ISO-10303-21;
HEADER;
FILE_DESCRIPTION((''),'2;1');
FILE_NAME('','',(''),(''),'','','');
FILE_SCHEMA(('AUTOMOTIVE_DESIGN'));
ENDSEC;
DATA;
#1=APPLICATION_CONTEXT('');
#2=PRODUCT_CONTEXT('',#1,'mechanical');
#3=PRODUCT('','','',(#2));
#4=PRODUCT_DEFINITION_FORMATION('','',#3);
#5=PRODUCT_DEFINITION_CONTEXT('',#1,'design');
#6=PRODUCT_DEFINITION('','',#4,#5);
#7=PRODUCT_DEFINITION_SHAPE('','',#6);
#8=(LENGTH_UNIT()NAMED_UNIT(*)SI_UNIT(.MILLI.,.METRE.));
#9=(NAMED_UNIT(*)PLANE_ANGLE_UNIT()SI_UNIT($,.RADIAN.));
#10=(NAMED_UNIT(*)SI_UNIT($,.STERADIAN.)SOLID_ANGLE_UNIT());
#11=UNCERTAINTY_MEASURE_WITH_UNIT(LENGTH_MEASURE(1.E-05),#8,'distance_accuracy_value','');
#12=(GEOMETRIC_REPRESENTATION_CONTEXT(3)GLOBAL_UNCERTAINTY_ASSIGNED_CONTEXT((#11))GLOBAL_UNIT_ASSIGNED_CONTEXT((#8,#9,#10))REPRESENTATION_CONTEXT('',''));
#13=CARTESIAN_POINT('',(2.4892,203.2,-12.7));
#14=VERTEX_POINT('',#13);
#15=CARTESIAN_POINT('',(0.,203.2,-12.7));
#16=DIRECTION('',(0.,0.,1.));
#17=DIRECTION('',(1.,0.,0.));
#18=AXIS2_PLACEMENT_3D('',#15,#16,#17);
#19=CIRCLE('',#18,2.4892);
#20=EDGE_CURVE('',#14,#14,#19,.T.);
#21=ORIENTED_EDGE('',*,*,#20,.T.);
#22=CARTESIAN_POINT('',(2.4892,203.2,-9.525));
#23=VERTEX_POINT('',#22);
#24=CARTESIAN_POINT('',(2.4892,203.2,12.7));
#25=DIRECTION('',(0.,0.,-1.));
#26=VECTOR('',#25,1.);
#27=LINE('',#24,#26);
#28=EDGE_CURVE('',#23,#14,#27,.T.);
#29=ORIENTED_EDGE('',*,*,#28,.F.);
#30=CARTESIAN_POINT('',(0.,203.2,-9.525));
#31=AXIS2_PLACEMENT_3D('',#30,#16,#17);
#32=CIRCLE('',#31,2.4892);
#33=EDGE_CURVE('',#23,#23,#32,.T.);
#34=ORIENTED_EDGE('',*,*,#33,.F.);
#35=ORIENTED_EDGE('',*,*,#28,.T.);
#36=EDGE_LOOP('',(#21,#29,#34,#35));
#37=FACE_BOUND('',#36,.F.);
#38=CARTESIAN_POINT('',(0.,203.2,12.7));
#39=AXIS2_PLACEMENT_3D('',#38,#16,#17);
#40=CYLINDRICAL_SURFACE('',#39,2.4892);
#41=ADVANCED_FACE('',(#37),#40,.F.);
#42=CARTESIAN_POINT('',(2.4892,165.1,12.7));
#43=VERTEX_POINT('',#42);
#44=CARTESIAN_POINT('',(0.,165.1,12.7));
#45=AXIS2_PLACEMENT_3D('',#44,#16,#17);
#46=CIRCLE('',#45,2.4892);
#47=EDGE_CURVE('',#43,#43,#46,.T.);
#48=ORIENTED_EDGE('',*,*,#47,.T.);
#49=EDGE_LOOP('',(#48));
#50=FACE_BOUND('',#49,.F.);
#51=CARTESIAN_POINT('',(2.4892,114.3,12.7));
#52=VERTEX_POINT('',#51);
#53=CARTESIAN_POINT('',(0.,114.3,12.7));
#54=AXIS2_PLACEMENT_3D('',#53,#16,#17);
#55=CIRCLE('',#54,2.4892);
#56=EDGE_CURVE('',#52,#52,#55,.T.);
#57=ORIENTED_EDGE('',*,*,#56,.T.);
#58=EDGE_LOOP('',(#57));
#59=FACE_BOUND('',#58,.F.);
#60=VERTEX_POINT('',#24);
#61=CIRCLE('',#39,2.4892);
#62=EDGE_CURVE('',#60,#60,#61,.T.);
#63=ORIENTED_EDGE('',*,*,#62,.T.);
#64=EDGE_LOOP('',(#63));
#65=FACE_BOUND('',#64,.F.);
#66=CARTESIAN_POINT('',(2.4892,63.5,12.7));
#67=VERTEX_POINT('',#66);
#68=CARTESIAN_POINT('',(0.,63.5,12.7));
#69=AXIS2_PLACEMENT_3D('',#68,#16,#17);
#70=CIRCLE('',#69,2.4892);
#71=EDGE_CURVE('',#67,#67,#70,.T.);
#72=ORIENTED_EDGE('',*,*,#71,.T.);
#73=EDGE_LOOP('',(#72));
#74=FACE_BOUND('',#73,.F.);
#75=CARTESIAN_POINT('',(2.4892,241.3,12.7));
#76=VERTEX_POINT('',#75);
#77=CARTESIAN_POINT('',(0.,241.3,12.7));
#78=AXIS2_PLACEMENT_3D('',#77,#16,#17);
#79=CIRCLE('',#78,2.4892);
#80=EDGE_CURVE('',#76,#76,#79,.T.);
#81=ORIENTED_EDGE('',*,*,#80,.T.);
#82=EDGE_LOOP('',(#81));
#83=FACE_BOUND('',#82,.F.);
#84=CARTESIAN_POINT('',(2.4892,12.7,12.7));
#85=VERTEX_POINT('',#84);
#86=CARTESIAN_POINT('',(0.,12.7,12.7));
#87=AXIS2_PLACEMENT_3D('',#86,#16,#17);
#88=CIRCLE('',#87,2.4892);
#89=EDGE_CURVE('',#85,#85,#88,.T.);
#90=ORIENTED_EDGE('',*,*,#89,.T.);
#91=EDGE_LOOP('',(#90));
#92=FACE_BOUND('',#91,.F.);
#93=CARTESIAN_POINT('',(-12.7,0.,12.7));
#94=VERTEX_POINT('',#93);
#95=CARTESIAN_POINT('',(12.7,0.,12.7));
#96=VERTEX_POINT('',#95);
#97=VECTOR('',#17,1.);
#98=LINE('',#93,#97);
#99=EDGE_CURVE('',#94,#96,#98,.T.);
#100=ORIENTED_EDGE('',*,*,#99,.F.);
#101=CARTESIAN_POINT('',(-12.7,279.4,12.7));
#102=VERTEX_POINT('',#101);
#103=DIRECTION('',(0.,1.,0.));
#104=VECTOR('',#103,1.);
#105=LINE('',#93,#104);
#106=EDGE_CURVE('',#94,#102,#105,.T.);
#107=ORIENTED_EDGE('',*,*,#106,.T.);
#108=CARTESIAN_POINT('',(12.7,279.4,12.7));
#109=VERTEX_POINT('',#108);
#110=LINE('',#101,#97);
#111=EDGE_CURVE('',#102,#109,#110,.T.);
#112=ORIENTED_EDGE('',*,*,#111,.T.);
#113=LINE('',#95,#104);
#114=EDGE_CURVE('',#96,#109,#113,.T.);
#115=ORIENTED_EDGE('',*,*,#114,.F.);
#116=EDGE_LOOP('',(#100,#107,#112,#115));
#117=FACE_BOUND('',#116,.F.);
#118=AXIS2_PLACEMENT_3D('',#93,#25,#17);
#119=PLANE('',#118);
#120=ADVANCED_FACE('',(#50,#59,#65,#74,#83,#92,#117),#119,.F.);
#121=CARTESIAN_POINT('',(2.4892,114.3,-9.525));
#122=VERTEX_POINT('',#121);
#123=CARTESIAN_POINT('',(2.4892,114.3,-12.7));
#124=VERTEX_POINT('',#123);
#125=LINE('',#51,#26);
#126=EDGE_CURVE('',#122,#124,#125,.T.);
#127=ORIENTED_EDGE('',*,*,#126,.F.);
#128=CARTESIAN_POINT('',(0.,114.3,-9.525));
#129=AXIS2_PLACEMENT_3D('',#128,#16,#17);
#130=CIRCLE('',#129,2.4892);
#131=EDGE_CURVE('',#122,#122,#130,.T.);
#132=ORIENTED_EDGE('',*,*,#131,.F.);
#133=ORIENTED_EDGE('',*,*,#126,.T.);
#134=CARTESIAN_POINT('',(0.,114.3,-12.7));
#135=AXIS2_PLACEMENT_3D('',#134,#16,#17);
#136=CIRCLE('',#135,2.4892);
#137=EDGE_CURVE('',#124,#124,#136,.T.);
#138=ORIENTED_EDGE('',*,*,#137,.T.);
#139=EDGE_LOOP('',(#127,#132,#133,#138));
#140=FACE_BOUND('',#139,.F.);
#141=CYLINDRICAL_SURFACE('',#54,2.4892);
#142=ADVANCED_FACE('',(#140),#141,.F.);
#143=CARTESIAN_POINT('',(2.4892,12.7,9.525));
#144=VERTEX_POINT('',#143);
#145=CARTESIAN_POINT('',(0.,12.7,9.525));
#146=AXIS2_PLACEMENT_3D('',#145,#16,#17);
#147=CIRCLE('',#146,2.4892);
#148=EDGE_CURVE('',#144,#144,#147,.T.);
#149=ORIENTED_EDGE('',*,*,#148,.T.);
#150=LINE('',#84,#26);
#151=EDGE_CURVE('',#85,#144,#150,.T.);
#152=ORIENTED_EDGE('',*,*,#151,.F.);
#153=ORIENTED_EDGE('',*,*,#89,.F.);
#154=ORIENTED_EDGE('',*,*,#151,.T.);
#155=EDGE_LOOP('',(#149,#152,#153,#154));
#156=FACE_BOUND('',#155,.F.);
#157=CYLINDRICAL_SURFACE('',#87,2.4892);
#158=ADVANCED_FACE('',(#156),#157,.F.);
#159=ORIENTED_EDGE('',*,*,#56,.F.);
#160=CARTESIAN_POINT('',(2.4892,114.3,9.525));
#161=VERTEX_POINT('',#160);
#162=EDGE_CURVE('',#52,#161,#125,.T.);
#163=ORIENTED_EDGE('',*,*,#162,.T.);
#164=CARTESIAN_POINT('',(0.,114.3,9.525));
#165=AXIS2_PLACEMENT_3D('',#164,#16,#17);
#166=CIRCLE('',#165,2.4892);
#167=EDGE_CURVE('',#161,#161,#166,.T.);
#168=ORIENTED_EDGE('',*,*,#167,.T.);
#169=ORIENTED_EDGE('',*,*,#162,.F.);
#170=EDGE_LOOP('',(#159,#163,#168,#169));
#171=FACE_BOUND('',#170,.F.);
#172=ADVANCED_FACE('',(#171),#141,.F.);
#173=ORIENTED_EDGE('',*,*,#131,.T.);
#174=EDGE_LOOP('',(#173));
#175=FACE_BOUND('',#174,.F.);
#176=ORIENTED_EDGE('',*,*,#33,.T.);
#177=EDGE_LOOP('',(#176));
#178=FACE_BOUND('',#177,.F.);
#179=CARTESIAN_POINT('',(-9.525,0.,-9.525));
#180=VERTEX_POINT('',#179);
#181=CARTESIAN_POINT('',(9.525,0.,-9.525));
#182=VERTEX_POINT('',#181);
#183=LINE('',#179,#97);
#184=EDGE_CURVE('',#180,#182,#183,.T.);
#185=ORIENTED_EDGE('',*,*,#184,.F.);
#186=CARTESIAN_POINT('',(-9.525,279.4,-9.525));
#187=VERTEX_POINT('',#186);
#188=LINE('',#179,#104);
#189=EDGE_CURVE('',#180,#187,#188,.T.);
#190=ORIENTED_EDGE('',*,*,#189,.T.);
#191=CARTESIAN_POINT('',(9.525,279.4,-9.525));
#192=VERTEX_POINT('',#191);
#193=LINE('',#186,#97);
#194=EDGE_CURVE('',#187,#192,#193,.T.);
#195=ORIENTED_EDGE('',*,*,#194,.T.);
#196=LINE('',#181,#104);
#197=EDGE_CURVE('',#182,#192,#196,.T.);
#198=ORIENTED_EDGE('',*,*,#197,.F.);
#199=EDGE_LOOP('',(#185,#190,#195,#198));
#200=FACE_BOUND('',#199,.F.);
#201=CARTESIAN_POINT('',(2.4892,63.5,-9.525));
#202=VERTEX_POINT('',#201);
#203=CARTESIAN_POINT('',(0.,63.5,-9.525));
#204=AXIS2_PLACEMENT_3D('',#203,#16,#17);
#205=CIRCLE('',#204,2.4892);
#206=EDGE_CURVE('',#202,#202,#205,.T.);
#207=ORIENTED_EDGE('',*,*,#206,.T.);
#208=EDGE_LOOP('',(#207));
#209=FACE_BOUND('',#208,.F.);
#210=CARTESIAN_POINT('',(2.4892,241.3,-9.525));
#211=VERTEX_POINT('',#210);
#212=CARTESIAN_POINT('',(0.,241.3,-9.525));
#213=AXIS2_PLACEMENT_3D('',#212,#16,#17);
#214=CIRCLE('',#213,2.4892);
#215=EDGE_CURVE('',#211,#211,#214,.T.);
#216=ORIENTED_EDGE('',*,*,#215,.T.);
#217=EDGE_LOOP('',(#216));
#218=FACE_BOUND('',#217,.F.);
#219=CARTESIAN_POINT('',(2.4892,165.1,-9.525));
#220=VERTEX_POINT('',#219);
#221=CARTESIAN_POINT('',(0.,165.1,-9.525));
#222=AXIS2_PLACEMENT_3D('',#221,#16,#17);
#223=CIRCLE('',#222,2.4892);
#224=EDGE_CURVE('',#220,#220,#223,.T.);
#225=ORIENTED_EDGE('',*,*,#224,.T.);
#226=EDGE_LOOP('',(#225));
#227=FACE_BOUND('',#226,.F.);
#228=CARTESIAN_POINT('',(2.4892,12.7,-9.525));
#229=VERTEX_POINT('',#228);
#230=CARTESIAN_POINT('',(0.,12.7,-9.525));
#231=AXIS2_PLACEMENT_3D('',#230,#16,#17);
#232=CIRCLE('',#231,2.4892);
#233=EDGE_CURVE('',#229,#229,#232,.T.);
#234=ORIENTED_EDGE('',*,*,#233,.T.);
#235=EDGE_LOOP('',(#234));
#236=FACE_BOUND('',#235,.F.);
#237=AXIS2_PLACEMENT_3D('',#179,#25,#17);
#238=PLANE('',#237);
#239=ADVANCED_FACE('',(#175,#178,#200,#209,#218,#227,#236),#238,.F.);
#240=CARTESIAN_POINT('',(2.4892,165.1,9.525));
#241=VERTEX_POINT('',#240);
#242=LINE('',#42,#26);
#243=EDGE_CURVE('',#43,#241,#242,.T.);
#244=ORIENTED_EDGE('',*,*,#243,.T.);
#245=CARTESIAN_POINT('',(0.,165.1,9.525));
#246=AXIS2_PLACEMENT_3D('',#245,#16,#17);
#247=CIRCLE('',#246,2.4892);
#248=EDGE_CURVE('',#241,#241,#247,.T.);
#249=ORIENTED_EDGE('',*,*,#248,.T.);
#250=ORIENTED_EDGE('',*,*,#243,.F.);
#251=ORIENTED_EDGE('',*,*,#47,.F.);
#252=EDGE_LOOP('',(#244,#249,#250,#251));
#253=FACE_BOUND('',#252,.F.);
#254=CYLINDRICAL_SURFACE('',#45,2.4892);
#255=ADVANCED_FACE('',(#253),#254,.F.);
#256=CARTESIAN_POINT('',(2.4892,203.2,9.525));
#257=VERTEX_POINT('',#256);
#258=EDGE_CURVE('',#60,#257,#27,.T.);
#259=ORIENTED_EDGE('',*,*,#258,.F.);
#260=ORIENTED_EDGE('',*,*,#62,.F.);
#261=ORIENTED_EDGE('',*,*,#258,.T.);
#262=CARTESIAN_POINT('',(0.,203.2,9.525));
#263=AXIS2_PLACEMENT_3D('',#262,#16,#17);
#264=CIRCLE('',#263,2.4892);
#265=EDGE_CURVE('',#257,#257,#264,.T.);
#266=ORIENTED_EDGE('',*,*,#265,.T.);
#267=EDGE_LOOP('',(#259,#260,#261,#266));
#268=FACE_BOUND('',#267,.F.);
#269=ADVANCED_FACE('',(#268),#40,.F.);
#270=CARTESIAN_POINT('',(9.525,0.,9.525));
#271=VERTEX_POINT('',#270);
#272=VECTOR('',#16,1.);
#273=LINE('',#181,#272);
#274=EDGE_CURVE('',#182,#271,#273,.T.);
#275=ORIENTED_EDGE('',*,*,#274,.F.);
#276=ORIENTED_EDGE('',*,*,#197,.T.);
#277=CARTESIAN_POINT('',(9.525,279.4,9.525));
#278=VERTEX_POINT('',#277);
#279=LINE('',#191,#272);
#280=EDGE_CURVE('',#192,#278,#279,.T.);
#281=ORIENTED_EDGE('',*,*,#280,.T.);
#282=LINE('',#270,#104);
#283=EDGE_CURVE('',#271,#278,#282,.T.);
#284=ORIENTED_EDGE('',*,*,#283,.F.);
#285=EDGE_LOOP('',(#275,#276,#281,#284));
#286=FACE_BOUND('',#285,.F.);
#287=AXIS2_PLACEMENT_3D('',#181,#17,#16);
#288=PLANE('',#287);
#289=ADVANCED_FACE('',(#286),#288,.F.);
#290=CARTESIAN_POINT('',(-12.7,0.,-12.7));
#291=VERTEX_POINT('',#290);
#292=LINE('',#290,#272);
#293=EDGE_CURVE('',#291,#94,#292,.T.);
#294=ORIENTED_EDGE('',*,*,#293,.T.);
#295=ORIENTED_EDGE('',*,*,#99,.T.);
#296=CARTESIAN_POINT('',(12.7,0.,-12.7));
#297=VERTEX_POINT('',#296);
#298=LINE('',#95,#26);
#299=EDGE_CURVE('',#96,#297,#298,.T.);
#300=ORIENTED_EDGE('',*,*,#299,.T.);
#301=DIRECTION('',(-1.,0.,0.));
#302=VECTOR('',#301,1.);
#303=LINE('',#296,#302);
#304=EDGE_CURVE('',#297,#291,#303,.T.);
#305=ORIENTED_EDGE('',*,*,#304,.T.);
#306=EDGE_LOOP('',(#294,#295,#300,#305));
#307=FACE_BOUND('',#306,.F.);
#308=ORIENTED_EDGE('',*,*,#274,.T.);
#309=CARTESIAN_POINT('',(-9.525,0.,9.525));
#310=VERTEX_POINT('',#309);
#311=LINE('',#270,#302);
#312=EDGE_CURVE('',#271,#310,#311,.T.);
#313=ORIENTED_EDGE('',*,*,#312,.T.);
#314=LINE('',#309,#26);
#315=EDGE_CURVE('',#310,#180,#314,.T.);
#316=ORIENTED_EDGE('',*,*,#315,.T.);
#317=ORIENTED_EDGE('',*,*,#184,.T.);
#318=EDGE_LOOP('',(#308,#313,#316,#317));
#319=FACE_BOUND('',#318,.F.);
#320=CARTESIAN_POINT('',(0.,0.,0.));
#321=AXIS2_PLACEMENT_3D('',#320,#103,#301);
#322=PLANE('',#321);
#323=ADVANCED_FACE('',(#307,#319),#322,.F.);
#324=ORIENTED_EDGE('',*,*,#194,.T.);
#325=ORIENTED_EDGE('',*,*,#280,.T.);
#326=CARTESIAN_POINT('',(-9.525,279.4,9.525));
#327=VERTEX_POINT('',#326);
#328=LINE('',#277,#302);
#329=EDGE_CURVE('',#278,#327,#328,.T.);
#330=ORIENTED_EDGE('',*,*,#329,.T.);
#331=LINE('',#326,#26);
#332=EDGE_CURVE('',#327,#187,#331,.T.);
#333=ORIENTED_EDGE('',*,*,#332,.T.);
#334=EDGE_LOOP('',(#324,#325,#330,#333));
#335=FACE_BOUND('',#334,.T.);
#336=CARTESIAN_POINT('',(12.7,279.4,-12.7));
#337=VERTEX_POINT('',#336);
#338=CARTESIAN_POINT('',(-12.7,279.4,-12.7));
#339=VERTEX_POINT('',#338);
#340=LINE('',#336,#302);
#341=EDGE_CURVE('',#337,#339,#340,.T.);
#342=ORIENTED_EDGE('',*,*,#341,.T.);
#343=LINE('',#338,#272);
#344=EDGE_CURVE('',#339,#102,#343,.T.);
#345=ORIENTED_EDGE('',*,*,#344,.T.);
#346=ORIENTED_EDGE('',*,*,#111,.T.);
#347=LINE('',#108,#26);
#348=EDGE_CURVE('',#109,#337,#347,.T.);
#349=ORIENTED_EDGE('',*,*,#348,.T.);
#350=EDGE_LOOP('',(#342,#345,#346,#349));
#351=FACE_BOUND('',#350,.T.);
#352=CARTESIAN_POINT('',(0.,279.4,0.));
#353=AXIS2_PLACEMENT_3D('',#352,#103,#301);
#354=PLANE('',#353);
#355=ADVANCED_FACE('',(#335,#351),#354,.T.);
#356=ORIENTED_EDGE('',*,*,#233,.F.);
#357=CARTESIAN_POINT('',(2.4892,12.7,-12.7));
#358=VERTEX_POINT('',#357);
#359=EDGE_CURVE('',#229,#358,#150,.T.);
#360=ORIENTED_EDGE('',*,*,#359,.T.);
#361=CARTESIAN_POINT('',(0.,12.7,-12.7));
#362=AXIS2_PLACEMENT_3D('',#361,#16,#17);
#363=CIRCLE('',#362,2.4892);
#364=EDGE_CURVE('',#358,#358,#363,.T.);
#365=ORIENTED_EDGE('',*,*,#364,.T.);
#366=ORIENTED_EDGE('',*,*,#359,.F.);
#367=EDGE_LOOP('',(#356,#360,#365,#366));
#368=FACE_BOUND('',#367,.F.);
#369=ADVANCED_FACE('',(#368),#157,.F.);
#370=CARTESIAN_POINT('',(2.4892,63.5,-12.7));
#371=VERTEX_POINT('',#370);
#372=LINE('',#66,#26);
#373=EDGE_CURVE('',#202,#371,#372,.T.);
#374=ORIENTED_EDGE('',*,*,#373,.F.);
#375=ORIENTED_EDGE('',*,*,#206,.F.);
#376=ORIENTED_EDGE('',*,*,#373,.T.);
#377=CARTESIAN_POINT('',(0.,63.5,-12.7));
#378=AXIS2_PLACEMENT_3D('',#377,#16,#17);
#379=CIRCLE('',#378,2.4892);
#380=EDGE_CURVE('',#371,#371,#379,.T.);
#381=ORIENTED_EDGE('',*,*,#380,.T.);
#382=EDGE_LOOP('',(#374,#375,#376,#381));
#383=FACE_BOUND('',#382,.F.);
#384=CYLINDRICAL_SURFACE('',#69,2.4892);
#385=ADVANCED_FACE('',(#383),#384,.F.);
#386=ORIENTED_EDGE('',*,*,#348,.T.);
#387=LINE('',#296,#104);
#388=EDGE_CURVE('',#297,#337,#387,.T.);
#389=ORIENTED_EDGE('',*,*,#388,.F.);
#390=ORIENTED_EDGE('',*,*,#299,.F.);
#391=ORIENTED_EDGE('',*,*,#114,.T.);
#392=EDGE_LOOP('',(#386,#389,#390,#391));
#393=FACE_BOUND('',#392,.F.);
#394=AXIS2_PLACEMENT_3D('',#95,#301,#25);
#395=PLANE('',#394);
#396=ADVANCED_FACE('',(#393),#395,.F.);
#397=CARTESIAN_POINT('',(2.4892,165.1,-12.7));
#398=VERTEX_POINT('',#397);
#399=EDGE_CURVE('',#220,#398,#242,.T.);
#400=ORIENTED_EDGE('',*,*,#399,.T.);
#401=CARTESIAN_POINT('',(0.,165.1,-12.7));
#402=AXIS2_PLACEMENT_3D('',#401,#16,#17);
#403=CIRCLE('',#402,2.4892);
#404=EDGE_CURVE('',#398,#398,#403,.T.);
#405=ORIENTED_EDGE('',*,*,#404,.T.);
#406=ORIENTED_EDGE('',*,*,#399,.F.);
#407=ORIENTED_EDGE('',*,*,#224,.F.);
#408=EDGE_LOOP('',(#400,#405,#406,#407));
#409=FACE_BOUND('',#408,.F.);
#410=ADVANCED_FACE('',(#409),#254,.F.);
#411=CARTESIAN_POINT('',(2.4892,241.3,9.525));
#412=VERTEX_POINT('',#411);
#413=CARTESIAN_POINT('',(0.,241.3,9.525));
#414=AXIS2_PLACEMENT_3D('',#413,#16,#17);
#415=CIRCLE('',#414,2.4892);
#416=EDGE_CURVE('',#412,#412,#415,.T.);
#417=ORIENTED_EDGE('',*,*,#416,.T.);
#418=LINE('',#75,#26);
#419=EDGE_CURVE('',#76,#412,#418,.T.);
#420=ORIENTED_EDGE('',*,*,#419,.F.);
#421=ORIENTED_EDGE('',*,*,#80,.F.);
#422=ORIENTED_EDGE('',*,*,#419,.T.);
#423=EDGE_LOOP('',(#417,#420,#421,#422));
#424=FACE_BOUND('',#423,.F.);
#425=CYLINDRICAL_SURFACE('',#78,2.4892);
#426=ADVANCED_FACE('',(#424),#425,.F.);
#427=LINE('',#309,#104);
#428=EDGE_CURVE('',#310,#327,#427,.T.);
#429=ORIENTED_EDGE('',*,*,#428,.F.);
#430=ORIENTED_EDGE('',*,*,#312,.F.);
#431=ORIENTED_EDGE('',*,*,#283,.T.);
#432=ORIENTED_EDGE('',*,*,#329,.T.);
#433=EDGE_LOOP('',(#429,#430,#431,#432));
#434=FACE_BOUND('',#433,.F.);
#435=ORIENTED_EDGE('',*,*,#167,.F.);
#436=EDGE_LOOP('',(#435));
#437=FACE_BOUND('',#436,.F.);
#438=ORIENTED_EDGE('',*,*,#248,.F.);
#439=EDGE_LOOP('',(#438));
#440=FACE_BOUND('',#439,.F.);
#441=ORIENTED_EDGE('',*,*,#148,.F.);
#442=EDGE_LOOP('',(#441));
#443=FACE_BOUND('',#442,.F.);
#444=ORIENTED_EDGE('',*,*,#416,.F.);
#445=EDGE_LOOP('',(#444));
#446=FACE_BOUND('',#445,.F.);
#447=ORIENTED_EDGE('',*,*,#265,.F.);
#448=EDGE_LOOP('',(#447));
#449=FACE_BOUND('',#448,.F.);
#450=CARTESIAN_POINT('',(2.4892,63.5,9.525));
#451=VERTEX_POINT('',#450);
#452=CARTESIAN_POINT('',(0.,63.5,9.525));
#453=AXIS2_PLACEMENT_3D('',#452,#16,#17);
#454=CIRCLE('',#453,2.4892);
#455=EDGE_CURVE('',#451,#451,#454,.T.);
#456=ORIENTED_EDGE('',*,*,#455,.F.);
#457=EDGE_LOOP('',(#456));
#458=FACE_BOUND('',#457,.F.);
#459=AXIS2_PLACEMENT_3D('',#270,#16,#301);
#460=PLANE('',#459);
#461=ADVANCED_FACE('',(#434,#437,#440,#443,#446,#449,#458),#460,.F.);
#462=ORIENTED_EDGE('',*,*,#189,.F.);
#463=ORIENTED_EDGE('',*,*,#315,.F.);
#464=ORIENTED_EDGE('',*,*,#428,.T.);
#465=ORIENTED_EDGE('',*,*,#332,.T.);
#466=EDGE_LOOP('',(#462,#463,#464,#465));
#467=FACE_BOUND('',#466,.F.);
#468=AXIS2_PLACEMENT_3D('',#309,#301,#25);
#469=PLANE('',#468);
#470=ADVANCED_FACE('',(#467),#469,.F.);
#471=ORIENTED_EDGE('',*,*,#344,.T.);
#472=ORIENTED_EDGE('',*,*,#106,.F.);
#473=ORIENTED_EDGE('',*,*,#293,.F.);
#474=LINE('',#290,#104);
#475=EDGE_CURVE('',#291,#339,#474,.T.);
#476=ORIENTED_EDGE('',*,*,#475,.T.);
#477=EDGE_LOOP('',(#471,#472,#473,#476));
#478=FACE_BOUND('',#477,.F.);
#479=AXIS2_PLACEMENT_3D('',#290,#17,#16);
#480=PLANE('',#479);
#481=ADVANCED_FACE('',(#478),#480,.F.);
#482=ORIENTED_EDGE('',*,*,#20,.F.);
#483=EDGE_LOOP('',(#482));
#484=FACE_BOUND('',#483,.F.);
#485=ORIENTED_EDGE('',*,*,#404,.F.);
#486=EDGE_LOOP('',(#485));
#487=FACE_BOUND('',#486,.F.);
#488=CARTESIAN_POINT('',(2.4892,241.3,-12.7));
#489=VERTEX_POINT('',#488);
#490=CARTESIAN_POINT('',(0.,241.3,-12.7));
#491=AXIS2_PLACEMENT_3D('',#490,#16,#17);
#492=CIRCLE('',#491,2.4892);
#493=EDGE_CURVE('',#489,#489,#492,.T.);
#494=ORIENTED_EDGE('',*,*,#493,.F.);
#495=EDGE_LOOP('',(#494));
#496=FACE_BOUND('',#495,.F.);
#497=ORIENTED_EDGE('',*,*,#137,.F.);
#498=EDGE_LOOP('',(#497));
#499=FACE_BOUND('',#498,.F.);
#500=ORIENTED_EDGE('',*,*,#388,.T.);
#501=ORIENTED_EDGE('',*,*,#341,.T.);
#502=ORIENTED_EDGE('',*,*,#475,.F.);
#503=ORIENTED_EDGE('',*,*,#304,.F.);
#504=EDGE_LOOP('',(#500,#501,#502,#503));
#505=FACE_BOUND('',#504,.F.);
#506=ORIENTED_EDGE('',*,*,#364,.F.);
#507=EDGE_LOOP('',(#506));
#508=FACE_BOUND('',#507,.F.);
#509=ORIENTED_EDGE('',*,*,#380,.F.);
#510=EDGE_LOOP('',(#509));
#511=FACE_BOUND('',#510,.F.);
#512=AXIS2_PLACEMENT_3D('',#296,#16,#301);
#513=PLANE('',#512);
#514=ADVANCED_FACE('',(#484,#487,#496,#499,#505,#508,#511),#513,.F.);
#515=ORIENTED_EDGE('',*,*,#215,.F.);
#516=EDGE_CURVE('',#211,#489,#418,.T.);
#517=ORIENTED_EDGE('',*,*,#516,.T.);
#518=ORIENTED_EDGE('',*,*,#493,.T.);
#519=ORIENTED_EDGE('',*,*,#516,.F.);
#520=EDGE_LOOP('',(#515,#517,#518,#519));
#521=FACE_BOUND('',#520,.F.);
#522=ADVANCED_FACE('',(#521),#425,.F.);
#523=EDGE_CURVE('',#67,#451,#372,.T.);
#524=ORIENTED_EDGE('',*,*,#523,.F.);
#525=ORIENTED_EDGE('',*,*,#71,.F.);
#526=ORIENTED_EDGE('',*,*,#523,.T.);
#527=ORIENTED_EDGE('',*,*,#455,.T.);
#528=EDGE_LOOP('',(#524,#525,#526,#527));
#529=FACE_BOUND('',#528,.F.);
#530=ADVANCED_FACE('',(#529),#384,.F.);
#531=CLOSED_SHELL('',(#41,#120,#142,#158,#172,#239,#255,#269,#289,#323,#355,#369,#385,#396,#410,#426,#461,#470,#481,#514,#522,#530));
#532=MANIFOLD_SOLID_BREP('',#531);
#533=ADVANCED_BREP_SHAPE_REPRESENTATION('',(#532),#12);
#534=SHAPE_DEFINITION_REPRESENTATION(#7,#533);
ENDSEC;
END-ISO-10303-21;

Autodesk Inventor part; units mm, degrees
ref_plane "YZ Plane" through (0, 0, 0) normal (1, 0, 0) x (0, 1, 0)
ref_plane "XZ Plane" through (0, 0, 0) normal (0, 1, 0) x (-1, 0, 0)
ref_plane "XY Plane" through (0, 0, 0) normal (0, 0, 1) x (1, 0, 0)
sketch "Sketch1" plane through (0, 0, 0) normal (0, 1, 0) x (-1, 0, 0)
  line L0 (-12.7, -12.7) -> (12.7, -12.7)
  line L1 (12.7, -12.7) -> (12.7, 12.7)
  line L2 (12.7, 12.7) -> (-12.7, 12.7)
  line L3 (-12.7, 12.7) -> (-12.7, -12.7)
  line L4 (-12.7, -12.7) -> (12.7, 12.7) construction
  line L5 (12.7, -12.7) -> (-12.7, 12.7) construction
  line L6 (9.525, 9.525) -> (9.525, -9.525)
  line L7 (9.525, -9.525) -> (-9.525, -9.525)
  line L8 (-9.525, -9.525) -> (-9.525, 9.525)
  line L9 (-9.525, 9.525) -> (9.525, 9.525)
  point P0 (0, 0)
  dimension "d0" = 25.4
  dimension "d1" = 25.4
  dimension "d2" = 3.175
extrude "Extrusion1" add sketch "Sketch1" along normal blind 279.4
sketch "Sketch2" plane through (-12.7, 0, 12.7) normal (0, 0, 1) x (1, 0, 0)
  line L0 (0, 0) -> (25.4, 0) projected
  line L1 (25.4, 0) -> (25.4, 279.4) projected
  line L2 (0, 279.4) -> (25.4, 279.4) projected
  line L3 (0, 0) -> (0, 279.4) projected
  circle A0 centre (12.7, 241.3) radius 2.4892
  circle A1 centre (12.7, 203.2) radius 2.4892
  circle A2 centre (12.7, 165.1) radius 2.4892
  circle A3 centre (12.7, 114.3) radius 2.4892
  circle A4 centre (12.7, 63.5) radius 2.4892
  circle A5 centre (12.7, 12.7) radius 2.4892
  point P0 (12.7, 0)
  point P1 (12.7, 279.4)
  dimension "d7" = 4.9784
  dimension "d8" = 38.1
  dimension "d11" = 38.1
  dimension "d18" = 50.8
extrude "Extrusion2" cut sketch "Sketch2" against normal blind 25.4 contours A0 | A1 | A2 | A3 | A4 | A5
properties part number "STRU_026_Bryan_11in" material "Aluminum 6061"
